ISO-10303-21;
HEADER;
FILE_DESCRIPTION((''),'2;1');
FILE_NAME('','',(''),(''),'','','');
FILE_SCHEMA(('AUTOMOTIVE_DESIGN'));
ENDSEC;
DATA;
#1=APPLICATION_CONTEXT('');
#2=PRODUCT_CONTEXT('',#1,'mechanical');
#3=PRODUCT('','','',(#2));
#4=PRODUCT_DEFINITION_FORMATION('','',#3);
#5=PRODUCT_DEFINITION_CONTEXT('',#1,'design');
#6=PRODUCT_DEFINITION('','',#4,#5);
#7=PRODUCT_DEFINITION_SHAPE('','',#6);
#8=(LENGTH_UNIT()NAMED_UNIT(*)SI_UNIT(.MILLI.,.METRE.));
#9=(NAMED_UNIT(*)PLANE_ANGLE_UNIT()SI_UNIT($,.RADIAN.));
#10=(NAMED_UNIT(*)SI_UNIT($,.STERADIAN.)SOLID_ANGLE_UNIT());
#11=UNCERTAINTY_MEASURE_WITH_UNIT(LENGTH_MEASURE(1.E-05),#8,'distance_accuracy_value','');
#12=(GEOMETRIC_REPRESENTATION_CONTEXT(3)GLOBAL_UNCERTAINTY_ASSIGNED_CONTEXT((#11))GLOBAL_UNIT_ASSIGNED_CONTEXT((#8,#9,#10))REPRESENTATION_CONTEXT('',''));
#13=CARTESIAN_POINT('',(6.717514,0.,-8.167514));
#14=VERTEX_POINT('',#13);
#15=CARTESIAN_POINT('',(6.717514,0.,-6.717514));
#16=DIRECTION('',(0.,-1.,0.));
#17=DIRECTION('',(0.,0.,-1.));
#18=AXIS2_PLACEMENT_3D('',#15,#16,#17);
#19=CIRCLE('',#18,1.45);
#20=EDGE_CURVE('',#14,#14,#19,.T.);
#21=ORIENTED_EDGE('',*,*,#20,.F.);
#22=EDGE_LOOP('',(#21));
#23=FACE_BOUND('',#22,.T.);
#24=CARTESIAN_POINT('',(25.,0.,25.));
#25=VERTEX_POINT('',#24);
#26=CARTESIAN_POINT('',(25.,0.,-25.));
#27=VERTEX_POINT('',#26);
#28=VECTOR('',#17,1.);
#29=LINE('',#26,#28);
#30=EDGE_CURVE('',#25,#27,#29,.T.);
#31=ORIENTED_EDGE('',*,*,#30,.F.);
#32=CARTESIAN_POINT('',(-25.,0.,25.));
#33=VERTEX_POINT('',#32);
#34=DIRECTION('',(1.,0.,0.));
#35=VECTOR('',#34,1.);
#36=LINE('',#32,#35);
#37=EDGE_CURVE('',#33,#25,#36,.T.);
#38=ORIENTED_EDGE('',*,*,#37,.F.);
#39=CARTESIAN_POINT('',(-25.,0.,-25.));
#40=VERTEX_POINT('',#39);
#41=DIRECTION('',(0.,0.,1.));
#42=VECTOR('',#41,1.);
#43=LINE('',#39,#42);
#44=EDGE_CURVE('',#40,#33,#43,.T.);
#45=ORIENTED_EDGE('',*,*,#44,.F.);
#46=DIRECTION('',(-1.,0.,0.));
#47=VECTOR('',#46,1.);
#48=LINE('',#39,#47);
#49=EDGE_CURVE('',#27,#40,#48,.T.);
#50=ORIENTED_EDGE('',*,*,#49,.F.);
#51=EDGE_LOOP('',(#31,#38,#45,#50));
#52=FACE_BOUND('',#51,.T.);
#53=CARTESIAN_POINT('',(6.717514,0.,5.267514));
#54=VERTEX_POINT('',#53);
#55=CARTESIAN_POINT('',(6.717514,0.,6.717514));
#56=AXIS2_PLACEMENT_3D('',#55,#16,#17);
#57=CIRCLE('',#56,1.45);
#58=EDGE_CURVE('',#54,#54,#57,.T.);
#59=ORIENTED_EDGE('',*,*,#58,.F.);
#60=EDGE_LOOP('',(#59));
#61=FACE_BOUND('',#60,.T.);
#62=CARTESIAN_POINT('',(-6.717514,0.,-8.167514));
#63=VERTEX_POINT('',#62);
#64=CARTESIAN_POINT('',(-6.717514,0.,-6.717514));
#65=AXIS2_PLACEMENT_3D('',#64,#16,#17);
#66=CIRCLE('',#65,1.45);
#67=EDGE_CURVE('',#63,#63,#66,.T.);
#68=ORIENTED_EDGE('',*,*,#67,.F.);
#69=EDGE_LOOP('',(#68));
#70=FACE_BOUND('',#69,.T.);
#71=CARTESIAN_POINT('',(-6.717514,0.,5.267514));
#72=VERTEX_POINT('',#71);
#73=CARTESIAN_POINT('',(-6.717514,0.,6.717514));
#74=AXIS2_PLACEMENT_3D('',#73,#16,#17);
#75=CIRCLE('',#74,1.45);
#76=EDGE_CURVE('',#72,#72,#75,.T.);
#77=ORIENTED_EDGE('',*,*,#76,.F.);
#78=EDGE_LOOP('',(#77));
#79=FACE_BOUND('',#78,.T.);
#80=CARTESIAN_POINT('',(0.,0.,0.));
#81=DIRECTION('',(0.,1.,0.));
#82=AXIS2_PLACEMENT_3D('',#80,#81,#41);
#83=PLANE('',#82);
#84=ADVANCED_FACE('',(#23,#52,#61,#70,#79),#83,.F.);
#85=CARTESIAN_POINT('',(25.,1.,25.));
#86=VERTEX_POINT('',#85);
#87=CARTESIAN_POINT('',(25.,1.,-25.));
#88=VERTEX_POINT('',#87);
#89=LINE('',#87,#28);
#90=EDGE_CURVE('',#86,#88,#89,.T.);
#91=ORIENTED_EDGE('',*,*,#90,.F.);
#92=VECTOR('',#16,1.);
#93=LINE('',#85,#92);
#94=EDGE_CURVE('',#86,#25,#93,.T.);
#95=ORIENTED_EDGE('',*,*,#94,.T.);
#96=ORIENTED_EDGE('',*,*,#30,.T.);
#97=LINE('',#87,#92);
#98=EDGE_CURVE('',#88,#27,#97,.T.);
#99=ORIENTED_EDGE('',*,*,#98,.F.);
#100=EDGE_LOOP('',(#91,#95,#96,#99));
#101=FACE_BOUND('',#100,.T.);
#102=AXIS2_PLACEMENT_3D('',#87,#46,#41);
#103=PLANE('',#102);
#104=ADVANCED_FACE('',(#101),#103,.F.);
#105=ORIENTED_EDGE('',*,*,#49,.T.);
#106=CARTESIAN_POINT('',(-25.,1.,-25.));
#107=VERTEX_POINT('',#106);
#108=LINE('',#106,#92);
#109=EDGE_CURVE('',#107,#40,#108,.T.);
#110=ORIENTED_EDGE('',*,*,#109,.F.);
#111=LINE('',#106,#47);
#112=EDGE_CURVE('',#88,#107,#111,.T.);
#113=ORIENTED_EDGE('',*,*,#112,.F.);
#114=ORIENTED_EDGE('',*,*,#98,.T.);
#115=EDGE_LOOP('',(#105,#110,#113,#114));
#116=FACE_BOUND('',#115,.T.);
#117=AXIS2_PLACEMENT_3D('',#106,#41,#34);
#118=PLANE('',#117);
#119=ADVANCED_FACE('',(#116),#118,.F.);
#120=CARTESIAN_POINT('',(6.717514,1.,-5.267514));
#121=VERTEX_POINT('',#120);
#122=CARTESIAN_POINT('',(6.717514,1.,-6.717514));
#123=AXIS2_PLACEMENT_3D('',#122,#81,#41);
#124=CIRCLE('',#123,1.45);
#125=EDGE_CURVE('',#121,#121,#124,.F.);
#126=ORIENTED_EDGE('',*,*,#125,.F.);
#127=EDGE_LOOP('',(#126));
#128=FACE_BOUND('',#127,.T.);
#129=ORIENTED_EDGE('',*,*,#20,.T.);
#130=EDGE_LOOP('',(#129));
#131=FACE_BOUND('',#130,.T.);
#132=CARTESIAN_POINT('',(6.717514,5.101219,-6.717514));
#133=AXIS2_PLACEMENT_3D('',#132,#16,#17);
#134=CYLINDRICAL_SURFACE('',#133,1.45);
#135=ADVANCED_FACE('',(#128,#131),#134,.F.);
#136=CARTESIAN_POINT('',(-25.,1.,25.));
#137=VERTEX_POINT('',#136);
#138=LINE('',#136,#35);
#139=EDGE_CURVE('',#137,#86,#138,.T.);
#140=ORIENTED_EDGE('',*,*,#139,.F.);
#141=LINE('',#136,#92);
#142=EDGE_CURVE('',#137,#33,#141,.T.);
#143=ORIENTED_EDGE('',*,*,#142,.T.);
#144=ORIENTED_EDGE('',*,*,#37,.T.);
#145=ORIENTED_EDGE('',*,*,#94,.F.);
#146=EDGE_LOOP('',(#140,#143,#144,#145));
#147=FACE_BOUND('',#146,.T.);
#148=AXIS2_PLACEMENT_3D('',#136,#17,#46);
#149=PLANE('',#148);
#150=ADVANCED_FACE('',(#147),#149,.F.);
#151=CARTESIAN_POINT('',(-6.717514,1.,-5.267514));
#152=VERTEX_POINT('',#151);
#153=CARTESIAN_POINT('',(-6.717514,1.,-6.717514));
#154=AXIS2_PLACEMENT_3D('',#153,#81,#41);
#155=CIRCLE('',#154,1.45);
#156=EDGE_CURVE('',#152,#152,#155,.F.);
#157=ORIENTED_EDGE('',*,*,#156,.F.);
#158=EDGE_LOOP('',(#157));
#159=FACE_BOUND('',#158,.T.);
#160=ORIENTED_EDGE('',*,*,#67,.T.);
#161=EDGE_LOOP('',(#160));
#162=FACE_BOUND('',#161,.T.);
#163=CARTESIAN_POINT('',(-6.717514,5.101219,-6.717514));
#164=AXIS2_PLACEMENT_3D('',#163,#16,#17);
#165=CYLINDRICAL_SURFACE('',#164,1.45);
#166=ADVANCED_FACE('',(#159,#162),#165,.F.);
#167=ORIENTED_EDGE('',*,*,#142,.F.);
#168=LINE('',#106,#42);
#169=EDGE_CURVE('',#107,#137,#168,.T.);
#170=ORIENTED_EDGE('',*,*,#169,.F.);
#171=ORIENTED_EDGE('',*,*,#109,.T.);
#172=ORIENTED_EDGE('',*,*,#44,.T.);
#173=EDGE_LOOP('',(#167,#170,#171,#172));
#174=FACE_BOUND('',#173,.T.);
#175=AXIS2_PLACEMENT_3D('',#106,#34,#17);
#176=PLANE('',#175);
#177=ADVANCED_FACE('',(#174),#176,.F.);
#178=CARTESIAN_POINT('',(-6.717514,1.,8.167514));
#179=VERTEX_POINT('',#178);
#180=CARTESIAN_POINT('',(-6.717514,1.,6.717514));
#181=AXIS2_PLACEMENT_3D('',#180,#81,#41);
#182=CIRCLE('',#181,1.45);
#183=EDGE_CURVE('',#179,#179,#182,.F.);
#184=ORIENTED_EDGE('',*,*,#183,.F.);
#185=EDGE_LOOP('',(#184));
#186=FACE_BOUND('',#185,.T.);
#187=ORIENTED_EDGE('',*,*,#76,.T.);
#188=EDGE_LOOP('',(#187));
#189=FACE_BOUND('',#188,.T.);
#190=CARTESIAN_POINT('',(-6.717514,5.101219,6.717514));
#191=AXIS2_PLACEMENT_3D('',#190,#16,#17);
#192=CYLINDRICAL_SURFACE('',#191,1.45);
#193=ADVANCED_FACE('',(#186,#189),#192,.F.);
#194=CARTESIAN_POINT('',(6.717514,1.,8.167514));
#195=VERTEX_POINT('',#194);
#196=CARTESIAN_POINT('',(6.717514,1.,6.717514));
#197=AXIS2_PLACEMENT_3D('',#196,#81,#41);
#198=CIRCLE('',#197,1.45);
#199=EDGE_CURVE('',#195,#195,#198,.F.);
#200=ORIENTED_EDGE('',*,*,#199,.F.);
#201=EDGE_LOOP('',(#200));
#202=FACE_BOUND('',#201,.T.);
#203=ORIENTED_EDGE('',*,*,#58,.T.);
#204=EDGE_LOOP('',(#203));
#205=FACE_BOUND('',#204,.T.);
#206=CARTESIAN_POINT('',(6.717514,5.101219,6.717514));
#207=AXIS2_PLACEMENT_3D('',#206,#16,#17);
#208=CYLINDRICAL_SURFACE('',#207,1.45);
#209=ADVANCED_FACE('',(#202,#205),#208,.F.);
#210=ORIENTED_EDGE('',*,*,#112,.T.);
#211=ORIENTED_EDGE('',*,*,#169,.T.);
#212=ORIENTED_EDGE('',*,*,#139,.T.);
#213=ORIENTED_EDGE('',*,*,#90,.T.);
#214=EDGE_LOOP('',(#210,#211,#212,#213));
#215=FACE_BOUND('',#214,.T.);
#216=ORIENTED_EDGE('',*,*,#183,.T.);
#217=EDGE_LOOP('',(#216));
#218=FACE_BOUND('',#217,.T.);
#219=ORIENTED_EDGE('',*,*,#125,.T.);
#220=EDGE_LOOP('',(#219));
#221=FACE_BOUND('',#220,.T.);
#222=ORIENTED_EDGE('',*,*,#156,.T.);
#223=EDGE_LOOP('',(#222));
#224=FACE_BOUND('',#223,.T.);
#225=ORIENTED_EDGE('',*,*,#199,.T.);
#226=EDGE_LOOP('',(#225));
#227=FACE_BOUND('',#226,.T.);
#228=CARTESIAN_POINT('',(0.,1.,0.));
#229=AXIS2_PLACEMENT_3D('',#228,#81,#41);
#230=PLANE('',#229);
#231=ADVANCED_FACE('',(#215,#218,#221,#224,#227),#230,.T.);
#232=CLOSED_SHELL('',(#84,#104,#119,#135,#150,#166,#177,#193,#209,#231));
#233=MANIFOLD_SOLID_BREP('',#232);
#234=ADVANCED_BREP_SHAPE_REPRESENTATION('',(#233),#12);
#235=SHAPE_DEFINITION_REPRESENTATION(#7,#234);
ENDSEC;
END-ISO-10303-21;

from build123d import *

# Parameters (mm, degrees)
SKETCH_1_W          = 50
SKETCH_1_H          = 50
EXTRUDE_1_DEPTH     = 1
SKETCH_3_R          = 1.45
CUT_EXTRUDE_1_DEPTH = 1


with BuildPart() as part:
    # 草图1 → 凸台-拉伸1 (new body)
    with BuildSketch(Plane(origin=(0, 0, 0), x_dir=(1, 0, 0), z_dir=(0, 1, 0))):
        Rectangle(SKETCH_1_W, SKETCH_1_H)
    extrude(amount=EXTRUDE_1_DEPTH)

    # 草图3 → 切除-拉伸1 (cut)
    with BuildSketch(Plane.XZ):
        with Locations((-6.717514421, -6.717514421)):
            Circle(SKETCH_3_R)
        with Locations((-6.717514421, 6.717514421)):
            Circle(SKETCH_3_R)
        with Locations((6.717514421, 6.717514421)):
            Circle(SKETCH_3_R)
        with Locations((6.717514421, -6.717514421)):
            Circle(SKETCH_3_R)
    extrude(amount=-CUT_EXTRUDE_1_DEPTH, mode=Mode.SUBTRACT)


solid = part.part
